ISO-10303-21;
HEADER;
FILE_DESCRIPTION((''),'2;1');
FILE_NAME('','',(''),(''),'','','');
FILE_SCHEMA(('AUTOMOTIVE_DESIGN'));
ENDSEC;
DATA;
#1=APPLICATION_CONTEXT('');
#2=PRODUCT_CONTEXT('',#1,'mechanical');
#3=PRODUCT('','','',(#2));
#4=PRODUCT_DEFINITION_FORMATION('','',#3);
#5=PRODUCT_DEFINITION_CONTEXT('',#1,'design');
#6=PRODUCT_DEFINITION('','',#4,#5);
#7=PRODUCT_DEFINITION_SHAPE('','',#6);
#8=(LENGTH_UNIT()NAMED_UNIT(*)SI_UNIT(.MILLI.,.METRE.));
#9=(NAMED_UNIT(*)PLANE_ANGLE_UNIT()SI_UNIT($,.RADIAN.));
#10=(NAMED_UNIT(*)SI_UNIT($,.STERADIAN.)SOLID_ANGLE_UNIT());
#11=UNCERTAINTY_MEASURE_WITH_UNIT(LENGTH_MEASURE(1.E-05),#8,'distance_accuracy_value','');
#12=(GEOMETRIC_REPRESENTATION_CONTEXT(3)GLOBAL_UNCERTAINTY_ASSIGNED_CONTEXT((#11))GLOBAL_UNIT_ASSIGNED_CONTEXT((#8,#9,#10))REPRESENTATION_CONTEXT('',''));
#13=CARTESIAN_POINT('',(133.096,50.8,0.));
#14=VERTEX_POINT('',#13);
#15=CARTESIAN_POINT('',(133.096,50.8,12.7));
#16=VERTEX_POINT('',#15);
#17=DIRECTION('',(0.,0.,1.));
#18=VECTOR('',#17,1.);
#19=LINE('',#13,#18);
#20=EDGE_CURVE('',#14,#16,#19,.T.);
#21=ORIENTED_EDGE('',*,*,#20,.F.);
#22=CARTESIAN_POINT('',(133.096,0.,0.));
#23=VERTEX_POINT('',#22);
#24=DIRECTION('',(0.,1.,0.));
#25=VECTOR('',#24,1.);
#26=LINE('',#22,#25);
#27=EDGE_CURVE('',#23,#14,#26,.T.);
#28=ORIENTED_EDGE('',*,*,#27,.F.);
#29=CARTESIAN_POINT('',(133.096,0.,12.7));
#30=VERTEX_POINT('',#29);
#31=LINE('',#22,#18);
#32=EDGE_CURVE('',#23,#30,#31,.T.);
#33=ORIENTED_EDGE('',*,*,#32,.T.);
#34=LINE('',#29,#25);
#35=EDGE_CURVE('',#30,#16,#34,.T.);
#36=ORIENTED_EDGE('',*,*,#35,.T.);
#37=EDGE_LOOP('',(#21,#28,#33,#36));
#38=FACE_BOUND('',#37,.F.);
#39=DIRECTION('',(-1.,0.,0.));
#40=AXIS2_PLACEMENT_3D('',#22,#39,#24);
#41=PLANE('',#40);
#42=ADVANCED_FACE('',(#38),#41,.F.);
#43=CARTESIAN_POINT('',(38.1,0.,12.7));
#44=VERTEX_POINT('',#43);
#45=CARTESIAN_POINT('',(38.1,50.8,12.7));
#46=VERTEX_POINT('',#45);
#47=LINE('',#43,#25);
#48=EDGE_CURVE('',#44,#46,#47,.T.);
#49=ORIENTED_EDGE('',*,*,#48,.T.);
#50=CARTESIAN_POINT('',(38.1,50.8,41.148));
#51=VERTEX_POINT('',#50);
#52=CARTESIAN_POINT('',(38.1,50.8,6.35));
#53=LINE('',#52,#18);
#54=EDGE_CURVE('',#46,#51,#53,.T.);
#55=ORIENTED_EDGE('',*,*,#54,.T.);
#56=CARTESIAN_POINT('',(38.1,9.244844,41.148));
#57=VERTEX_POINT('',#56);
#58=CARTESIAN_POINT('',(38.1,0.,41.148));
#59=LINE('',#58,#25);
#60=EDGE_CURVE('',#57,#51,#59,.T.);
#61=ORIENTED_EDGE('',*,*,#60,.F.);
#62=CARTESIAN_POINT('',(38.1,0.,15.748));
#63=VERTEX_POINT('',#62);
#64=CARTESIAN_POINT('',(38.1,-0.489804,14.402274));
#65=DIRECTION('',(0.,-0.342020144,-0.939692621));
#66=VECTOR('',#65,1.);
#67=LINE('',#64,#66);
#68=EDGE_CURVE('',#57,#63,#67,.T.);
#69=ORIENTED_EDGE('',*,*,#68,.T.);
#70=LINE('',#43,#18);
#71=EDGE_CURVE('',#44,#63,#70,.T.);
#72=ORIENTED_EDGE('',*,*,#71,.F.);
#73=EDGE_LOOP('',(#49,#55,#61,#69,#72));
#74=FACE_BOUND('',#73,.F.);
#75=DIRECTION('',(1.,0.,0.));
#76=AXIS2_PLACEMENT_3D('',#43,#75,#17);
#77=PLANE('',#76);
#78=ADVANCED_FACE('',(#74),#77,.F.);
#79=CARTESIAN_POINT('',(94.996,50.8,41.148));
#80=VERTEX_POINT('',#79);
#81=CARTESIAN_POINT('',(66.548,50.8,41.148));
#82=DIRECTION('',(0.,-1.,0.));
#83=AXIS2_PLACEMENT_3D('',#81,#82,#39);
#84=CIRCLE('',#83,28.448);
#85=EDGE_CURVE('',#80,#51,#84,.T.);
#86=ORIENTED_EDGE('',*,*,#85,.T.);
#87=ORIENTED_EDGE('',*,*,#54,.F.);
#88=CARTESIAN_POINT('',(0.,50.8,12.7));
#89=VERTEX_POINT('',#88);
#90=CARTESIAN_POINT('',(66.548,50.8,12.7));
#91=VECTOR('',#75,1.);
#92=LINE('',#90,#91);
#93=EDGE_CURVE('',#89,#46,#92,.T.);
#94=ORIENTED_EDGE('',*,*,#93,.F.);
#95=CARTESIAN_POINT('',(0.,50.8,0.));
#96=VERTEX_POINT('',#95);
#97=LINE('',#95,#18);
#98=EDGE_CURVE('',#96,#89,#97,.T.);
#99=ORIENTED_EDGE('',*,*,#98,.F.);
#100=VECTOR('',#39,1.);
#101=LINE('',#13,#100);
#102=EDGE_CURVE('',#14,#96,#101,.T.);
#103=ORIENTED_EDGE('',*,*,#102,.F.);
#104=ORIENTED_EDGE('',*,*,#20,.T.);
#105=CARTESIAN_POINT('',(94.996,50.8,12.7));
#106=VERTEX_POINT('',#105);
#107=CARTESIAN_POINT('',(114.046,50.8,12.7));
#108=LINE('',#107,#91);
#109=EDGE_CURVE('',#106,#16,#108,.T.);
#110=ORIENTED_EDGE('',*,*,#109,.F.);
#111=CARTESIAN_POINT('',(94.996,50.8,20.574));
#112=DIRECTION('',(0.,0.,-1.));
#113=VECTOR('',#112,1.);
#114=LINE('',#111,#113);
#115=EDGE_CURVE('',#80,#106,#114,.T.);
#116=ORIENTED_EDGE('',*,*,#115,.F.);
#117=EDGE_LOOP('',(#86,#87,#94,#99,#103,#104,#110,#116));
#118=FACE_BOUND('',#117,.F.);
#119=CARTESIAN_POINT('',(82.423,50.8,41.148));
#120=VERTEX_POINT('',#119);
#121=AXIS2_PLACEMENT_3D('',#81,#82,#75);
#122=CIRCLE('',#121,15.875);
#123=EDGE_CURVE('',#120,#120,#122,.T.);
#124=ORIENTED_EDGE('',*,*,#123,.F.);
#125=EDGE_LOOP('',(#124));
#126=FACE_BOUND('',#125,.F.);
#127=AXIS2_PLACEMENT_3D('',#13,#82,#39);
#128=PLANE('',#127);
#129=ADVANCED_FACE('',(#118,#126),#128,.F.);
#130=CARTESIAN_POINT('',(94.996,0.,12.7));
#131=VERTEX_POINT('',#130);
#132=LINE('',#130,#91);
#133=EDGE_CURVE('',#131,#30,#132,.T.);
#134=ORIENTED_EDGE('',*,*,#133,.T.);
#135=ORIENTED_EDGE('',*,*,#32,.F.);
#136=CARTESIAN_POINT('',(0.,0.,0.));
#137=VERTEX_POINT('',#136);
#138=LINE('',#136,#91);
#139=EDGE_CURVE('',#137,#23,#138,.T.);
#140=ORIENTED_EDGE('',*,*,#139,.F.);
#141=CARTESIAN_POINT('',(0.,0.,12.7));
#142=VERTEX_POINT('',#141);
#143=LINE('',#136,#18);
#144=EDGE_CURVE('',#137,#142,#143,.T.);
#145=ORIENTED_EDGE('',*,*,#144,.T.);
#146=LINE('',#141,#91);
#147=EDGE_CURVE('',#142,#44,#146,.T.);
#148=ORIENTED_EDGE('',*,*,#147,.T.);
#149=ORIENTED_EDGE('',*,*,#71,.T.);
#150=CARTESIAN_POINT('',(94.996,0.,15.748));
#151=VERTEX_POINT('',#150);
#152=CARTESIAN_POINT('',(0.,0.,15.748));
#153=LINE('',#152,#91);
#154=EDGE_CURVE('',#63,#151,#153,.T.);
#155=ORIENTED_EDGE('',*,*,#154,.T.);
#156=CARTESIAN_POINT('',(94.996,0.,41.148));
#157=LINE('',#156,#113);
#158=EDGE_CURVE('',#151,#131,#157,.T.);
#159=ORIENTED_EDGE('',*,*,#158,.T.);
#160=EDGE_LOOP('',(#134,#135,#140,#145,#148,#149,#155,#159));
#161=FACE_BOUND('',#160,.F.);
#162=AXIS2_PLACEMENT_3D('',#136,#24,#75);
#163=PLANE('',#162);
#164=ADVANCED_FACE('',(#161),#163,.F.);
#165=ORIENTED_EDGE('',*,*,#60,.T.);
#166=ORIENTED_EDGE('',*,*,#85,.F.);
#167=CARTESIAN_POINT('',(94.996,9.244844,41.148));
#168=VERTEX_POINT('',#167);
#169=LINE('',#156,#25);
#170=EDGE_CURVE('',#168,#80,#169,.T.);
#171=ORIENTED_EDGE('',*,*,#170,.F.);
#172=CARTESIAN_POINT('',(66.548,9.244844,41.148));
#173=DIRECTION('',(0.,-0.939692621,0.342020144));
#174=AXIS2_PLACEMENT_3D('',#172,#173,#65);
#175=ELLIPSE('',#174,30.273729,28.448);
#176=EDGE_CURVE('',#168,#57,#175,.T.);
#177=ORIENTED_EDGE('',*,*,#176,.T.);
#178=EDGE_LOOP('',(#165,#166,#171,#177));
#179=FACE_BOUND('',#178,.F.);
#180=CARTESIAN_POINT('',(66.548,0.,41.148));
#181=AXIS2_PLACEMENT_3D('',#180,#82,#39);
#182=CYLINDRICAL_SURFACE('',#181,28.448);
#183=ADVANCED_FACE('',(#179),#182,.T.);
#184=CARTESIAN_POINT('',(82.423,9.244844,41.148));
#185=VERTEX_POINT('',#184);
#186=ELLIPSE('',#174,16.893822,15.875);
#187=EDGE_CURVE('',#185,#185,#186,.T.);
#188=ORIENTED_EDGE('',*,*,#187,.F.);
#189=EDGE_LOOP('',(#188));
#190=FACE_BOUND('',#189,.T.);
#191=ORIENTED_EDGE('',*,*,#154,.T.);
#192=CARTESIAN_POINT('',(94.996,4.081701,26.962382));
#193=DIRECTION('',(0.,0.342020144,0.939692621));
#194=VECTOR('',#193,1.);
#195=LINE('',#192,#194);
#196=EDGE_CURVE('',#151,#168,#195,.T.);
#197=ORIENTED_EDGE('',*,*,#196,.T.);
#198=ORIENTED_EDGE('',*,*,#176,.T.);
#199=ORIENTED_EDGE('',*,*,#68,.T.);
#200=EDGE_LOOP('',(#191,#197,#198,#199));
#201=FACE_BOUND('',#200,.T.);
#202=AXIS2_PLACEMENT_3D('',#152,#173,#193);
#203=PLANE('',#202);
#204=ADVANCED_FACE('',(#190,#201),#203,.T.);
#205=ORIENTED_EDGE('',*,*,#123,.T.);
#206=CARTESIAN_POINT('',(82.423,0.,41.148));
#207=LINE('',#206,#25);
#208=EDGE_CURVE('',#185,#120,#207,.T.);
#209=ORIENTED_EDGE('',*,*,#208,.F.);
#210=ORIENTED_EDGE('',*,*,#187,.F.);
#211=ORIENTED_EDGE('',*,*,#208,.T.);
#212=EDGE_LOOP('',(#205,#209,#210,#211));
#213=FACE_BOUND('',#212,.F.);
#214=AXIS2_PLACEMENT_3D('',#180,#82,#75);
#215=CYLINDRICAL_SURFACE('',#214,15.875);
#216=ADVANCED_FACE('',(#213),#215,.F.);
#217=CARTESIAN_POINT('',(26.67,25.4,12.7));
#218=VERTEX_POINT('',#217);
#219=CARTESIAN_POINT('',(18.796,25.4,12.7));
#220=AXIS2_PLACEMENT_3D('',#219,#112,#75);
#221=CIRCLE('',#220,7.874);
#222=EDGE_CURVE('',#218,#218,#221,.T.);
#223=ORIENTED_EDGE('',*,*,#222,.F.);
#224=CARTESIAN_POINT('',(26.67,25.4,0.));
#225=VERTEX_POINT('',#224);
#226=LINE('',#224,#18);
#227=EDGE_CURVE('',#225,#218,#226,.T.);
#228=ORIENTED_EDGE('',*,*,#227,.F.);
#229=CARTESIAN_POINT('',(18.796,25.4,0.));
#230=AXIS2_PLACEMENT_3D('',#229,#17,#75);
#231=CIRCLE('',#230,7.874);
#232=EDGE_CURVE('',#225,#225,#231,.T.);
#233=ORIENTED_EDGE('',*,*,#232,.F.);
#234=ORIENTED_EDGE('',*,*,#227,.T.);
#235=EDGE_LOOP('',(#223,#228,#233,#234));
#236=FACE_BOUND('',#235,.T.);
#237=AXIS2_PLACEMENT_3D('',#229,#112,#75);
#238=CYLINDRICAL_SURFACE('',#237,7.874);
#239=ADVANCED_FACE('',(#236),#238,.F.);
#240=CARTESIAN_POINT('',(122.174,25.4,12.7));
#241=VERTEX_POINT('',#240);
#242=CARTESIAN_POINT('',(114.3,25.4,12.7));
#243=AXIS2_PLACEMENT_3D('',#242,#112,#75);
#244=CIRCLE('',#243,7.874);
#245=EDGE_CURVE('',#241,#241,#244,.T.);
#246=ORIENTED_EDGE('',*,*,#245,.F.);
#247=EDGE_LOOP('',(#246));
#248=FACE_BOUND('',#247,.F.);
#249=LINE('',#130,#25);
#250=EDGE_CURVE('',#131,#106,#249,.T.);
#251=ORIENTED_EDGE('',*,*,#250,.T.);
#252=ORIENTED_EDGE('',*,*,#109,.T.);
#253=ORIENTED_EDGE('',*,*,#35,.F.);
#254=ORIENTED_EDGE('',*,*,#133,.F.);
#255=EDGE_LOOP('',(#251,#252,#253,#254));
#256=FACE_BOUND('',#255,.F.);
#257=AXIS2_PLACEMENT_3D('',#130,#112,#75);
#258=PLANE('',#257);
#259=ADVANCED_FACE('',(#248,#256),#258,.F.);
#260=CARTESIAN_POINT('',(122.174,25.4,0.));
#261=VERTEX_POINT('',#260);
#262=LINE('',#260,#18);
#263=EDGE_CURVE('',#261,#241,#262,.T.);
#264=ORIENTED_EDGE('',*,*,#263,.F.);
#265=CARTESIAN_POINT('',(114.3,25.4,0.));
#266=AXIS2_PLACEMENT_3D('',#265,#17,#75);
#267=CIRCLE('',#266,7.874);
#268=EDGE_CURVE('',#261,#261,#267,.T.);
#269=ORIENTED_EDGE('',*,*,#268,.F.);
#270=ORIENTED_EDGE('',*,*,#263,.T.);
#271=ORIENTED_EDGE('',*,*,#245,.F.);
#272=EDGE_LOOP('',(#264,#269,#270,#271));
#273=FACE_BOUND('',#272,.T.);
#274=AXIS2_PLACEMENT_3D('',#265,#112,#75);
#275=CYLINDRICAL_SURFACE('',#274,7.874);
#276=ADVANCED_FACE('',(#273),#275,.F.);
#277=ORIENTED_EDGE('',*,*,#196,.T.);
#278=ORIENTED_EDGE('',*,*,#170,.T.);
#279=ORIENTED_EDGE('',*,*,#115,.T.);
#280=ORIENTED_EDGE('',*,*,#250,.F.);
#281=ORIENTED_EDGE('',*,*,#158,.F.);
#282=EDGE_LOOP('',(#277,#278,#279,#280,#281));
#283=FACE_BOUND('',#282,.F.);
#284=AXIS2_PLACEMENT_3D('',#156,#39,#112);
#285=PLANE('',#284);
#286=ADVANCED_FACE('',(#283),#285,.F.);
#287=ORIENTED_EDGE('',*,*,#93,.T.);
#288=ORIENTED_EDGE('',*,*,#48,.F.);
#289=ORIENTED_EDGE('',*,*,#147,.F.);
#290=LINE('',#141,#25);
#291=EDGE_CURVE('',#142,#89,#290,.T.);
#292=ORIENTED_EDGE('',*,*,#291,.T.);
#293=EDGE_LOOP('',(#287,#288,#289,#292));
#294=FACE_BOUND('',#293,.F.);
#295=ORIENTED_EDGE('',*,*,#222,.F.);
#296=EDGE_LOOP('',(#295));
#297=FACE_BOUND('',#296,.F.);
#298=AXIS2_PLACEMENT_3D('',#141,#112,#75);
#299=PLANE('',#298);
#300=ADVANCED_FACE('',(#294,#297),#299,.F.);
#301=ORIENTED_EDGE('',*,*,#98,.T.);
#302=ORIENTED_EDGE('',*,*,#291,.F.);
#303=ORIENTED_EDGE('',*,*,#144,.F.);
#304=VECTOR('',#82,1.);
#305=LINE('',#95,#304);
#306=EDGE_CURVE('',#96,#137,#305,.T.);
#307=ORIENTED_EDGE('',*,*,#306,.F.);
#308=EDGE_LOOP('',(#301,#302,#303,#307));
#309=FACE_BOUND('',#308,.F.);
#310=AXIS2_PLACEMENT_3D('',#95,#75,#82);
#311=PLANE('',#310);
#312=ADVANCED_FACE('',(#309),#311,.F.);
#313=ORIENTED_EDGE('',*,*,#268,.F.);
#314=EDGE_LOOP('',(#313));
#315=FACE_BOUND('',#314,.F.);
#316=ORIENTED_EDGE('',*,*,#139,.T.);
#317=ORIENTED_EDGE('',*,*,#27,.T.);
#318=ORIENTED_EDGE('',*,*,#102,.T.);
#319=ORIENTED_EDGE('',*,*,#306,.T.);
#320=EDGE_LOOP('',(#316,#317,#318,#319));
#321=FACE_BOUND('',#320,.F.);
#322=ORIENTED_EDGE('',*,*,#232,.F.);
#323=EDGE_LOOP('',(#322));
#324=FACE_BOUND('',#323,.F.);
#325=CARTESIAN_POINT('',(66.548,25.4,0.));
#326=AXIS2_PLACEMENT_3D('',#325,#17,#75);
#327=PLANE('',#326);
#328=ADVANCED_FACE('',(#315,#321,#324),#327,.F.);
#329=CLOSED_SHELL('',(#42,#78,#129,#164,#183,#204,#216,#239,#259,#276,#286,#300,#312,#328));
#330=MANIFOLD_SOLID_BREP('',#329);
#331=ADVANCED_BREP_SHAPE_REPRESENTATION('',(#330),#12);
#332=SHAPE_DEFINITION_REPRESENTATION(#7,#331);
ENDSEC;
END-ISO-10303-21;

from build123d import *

# Parameters (mm, degrees)
F0_R     = 7.874
F1_DEPTH = 152.4
F2_R     = 15.875
F3_DEPTH = 173.736
F5_DEPTH = 186.436


with BuildPart() as f1:
    # F0 (on Top) → F1 (new body)
    with BuildSketch(Plane.XY):
        Polygon((0, 50.8), (0, 0), (133.096, 0), (133.096, 50.8), (66.548, 50.8), align=None)
        with Locations((18.796, 25.4)):
            Circle(F0_R, mode=Mode.SUBTRACT)
        with Locations((114.3, 25.4)):
            Circle(F0_R, mode=Mode.SUBTRACT)
    extrude(amount=F1_DEPTH)

    # F2 (on face) → F3 (cut)
    with BuildSketch(Plane.XZ):
        with BuildLine():
            Line((0, 152.4), (0, 12.7))
            Line((0, 12.7), (38.1, 12.7))
            Line((38.1, 12.7), (38.1, 15.748))
            Line((38.1, 15.748), (38.1, 41.148))
            ThreePointArc((38.1, 41.148), (66.548, 69.596), (94.996, 41.148))
            Line((94.996, 41.148), (94.996, 15.748))
            Line((94.996, 15.748), (94.996, 12.7))
            Line((94.996, 12.7), (133.096, 12.7))
            Line((133.096, 12.7), (133.096, 152.4))
            Line((133.096, 152.4), (0, 152.4))
        make_face()
        with Locations((66.548, 41.148)):
            Circle(F2_R)
    extrude(amount=-F3_DEPTH, mode=Mode.SUBTRACT)

    # F4 (on Right) → F5 (cut)
    with BuildSketch(Plane.YZ):
        Polygon((0, 77.27585), (0, 15.748), (22.439078, 77.39886), align=None)
    extrude(amount=F5_DEPTH, mode=Mode.SUBTRACT)


solid = f1.part
